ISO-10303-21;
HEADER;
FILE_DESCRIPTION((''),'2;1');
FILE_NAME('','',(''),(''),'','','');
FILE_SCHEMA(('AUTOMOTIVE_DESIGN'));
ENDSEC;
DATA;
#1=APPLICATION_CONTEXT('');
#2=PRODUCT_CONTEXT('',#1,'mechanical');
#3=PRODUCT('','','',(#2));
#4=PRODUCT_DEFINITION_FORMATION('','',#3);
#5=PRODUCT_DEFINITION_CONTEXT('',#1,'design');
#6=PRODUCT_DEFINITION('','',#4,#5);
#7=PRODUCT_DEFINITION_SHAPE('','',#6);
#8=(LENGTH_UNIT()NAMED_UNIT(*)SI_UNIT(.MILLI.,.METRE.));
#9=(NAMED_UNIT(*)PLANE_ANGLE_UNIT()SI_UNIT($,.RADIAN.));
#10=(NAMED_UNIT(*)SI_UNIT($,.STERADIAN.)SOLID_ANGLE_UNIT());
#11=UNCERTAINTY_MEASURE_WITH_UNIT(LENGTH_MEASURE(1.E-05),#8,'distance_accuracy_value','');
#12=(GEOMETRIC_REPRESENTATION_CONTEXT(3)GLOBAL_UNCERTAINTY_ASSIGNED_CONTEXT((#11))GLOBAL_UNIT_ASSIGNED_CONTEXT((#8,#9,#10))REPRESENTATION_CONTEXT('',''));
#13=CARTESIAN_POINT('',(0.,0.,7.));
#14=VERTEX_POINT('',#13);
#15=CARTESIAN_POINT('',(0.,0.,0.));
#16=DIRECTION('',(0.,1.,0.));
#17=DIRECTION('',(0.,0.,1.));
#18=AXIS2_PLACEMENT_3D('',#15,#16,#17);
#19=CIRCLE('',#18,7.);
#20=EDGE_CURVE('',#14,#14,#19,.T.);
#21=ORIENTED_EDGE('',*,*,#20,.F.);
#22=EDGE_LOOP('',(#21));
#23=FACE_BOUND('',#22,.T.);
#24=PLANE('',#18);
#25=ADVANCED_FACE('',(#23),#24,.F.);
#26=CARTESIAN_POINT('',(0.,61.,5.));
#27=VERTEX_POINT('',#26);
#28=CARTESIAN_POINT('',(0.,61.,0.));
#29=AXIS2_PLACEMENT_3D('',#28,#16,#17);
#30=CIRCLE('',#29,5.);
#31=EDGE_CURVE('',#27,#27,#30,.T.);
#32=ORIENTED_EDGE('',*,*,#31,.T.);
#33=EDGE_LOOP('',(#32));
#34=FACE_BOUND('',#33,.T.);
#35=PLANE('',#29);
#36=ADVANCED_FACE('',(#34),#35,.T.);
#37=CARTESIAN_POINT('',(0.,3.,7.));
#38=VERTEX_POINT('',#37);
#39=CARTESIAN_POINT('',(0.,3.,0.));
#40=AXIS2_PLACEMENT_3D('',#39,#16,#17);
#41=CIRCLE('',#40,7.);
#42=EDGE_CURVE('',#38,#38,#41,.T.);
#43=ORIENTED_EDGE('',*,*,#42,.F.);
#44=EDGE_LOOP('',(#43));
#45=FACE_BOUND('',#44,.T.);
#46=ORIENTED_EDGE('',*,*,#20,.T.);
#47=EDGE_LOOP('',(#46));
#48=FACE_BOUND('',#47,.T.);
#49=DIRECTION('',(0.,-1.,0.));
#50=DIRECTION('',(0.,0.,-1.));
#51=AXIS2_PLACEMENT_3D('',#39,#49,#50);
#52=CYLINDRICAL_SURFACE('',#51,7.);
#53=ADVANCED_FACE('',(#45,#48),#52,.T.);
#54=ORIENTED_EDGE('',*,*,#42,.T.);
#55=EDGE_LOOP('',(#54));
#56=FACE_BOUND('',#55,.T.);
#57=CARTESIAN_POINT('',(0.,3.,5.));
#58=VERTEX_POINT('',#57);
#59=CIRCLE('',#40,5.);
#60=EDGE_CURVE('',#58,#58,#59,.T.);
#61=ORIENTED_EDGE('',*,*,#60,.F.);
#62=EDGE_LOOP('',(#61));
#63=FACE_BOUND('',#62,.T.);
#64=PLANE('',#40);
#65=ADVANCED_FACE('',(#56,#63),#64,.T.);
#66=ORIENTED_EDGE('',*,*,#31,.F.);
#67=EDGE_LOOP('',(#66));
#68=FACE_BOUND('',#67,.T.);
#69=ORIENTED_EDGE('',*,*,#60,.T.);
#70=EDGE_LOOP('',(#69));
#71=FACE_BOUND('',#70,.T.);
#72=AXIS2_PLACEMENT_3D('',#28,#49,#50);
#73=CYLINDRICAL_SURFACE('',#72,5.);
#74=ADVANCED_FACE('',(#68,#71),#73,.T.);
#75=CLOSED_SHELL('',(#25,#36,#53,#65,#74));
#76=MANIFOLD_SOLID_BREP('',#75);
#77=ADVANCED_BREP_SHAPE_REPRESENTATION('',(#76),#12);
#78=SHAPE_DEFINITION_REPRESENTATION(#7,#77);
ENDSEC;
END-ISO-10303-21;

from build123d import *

# Parameters (mm, degrees)
SKETCH_1_R      = 7
EXTRUDE_1_DEPTH = 3
SKETCH_2_R      = 5
EXTRUDE_2_DEPTH = 58


with BuildPart() as part:
    # Эскиз1 → Бобышка-Вытянуть1 (new body)
    with BuildSketch(Plane(origin=(0, 0, 0), x_dir=(1, 0, 0), z_dir=(0, 1, 0))):
        Circle(SKETCH_1_R)
    extrude(amount=EXTRUDE_1_DEPTH)

    # Эскиз2 → Бобышка-Вытянуть2 (add)
    with BuildSketch(Plane(origin=(0, 3, 0), x_dir=(1, 0, 0), z_dir=(0, 1, 0))):
        Circle(SKETCH_2_R)
    extrude(amount=EXTRUDE_2_DEPTH)


solid = part.part
